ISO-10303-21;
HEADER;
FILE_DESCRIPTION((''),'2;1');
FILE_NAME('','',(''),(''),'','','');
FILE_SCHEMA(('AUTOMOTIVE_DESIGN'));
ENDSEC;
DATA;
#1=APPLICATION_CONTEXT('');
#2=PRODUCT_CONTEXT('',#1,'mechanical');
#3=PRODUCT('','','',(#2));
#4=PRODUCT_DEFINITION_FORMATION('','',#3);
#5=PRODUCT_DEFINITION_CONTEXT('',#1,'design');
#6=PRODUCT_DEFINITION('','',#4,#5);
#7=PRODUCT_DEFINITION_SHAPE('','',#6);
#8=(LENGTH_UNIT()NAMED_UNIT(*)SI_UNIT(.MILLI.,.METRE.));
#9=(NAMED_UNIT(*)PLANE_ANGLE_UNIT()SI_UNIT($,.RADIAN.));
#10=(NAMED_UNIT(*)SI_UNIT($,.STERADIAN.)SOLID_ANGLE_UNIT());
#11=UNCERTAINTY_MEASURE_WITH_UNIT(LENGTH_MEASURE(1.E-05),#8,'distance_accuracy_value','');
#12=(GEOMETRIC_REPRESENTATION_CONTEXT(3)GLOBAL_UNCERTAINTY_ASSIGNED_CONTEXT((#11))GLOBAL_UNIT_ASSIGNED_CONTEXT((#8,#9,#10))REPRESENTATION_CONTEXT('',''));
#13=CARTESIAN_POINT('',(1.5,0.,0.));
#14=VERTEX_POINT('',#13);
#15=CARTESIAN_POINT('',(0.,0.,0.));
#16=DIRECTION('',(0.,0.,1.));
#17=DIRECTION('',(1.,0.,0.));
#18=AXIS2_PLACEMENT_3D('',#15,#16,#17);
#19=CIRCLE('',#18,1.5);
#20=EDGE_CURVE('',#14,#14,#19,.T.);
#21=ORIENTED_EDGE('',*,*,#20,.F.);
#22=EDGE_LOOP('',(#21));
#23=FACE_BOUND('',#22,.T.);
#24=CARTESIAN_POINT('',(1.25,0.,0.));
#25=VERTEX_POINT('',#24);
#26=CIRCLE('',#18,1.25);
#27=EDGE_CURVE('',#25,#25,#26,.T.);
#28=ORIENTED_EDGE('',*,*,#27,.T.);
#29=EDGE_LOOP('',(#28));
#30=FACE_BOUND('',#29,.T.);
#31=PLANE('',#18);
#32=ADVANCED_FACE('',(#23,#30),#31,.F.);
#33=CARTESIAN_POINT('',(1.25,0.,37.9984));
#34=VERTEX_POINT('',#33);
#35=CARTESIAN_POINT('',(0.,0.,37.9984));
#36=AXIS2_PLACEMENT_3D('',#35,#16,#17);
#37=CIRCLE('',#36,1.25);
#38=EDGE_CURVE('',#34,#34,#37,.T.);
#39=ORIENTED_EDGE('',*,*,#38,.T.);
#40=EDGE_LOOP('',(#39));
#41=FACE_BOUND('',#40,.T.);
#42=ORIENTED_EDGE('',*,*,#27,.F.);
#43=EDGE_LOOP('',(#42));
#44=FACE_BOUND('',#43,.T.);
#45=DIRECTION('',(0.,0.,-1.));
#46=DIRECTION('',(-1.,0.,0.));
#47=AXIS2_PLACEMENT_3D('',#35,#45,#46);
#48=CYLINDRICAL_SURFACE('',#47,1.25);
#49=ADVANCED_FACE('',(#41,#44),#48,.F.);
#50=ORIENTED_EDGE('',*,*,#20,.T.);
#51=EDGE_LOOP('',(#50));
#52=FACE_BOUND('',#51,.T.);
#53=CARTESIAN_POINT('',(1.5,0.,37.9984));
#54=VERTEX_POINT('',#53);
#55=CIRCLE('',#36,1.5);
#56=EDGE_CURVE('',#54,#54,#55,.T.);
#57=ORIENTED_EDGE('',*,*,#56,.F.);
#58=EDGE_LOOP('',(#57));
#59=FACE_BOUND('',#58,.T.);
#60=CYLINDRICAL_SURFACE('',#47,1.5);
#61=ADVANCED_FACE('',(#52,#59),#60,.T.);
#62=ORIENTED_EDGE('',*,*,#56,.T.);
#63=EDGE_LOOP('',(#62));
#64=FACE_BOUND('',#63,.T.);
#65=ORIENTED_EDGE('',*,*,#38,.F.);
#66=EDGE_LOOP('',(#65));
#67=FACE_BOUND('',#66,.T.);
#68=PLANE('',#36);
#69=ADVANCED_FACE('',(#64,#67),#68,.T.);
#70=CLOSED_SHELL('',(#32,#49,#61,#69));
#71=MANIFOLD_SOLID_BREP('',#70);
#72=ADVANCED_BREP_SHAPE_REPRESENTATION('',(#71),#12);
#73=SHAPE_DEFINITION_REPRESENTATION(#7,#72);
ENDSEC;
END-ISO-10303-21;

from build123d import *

# Parameters (mm, degrees)
SKETCH1_R       = 1.5
SKETCH1_R_2     = 1.25
BODY_TUBE_DEPTH = 37.9984


with BuildPart() as part:
    # Sketch1 → body tube (new body)
    with BuildSketch(Plane.XY):
        Circle(SKETCH1_R)
        Circle(SKETCH1_R_2, mode=Mode.SUBTRACT)
    extrude(amount=BODY_TUBE_DEPTH)


solid = part.part
